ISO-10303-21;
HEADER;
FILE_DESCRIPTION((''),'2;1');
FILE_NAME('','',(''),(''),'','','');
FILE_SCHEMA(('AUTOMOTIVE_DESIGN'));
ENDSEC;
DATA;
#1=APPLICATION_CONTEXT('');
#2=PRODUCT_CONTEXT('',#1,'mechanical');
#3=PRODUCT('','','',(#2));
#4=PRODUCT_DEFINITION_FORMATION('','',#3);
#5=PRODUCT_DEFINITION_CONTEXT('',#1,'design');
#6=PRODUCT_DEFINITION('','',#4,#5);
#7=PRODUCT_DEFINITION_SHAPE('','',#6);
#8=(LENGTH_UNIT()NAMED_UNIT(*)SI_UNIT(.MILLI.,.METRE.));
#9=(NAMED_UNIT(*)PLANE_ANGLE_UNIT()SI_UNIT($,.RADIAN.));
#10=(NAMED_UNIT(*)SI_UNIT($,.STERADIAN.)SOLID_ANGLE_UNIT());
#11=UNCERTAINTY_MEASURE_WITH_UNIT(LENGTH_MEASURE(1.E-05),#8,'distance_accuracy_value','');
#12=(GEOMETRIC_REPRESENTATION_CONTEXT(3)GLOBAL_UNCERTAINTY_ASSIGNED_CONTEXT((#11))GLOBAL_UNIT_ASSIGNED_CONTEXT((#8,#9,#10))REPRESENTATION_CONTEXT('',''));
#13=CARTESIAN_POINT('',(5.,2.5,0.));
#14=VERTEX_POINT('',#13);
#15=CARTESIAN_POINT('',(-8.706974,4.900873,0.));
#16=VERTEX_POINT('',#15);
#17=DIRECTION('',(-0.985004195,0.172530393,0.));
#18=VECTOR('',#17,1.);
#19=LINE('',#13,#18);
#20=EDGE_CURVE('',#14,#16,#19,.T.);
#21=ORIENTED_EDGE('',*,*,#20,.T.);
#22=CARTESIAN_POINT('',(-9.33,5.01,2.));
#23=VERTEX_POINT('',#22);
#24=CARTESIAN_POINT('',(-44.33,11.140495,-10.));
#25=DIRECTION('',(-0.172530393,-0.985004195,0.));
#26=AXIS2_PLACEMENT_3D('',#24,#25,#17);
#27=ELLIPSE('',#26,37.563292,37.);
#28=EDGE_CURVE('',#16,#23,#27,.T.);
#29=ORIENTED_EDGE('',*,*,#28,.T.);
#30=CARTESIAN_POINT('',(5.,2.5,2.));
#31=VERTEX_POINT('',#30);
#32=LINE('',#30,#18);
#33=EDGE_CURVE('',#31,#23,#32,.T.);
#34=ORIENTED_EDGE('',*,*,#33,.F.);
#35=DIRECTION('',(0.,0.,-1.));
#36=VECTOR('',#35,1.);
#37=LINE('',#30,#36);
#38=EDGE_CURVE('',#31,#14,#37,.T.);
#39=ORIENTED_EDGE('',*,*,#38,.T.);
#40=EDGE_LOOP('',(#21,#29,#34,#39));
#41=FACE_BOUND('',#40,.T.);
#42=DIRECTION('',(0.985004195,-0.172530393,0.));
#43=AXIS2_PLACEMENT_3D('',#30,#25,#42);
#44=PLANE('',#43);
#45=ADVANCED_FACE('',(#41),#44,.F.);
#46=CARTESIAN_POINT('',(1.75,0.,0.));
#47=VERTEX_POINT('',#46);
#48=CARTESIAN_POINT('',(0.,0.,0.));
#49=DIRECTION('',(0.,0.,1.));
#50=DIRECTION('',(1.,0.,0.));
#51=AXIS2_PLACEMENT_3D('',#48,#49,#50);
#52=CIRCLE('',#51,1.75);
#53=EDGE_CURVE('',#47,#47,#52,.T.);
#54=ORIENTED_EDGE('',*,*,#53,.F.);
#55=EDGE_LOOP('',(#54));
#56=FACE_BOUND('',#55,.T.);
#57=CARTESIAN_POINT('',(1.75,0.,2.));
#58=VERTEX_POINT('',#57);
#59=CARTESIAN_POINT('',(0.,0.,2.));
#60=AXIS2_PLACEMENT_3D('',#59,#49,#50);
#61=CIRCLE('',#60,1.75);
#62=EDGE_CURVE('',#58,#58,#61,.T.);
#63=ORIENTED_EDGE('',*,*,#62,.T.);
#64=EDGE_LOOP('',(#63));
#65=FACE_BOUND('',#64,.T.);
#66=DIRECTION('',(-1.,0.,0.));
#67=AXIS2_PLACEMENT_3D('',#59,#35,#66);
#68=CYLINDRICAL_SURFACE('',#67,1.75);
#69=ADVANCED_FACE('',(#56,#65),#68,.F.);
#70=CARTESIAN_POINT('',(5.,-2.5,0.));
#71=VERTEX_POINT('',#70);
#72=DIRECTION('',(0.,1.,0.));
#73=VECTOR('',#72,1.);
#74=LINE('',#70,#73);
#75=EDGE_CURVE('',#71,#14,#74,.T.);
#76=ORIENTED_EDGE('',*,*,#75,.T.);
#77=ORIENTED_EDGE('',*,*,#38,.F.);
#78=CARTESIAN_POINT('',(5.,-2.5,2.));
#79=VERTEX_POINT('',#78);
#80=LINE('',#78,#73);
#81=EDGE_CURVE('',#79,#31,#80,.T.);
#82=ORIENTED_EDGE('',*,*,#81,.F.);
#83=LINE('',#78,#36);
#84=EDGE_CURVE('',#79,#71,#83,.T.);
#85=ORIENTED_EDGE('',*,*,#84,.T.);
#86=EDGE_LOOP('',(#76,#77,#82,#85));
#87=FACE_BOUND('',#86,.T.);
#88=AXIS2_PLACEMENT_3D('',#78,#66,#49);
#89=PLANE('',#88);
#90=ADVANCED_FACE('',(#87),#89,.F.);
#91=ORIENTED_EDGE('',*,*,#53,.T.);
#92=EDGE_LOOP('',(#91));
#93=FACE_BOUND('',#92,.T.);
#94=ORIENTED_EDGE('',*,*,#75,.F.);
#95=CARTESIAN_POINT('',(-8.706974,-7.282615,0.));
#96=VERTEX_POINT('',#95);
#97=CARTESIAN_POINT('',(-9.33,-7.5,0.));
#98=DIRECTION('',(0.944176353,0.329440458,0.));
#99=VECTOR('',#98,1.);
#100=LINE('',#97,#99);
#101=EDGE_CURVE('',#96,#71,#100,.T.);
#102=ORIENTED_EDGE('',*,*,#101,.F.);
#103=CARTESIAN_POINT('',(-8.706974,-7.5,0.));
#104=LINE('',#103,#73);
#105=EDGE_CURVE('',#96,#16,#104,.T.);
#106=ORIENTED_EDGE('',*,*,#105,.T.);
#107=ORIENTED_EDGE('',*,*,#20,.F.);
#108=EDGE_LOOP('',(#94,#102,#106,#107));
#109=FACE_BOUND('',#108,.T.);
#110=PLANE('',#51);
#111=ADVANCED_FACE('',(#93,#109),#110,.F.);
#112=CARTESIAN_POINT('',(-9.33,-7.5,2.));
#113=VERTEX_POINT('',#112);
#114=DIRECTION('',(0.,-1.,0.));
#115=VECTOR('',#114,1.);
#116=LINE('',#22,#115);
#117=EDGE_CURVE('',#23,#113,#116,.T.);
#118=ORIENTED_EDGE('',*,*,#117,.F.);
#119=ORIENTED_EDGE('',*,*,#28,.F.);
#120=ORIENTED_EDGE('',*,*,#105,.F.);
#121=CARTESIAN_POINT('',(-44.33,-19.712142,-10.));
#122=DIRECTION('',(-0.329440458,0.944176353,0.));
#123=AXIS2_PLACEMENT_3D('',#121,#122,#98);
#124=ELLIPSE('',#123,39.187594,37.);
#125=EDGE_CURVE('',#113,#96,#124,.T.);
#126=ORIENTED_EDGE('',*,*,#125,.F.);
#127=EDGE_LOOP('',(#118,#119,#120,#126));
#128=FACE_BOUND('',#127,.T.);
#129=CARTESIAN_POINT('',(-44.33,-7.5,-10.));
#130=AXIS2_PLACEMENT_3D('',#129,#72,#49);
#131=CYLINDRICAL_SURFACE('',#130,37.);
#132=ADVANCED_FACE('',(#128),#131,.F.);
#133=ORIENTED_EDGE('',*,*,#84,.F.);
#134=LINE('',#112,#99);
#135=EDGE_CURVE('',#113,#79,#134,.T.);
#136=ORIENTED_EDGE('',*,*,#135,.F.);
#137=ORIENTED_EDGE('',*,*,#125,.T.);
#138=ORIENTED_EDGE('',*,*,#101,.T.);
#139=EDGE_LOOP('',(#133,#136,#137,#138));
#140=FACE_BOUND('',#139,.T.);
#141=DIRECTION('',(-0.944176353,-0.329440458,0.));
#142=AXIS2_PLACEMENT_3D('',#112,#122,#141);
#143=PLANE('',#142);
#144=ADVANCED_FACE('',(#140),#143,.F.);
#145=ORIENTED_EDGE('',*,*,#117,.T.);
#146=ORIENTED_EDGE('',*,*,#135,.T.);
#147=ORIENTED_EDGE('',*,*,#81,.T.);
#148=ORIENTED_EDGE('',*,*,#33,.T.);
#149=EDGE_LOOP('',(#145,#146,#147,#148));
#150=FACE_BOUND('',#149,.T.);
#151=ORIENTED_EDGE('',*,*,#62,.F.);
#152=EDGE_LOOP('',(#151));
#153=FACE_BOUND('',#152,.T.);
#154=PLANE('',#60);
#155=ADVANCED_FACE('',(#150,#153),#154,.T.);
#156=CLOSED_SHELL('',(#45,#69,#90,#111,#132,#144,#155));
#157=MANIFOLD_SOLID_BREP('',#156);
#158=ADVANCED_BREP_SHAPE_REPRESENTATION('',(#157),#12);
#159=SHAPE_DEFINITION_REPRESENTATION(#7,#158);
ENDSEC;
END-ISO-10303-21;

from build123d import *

# Parameters (mm, degrees)
SKETCH15_R              = 1.75
BOSS_EXTRUDE2_DEPTH     = 2
CUT_EXTRUDE1_DEPTH      = 13.136675822
CUT_EXTRUDE1_DEPTH_BACK = 13.136675822
SKETCH16_R              = 37


with BuildPart() as part:
    # Sketch15 → Boss-Extrude2 (new body)
    with BuildSketch(Plane.XY):
        Polygon((-9.33, 5.01), (-9.33, -7.5), (5, -2.5), (5, 2.5), align=None)
        Circle(SKETCH15_R, mode=Mode.SUBTRACT)
    extrude(amount=BOSS_EXTRUDE2_DEPTH)

    # Sketch16 → Cut-Extrude1 (cut, two sides: drawn at the far end of the back side and taken through both)
    with BuildSketch(Plane(origin=(0, 0, 0), x_dir=(1, 0, 0), z_dir=(0, 1, 0)).offset(-CUT_EXTRUDE1_DEPTH_BACK)):
        with Locations((-44.33, 10)):
            Circle(SKETCH16_R)
    extrude(amount=CUT_EXTRUDE1_DEPTH + CUT_EXTRUDE1_DEPTH_BACK, mode=Mode.SUBTRACT)


solid = part.part
